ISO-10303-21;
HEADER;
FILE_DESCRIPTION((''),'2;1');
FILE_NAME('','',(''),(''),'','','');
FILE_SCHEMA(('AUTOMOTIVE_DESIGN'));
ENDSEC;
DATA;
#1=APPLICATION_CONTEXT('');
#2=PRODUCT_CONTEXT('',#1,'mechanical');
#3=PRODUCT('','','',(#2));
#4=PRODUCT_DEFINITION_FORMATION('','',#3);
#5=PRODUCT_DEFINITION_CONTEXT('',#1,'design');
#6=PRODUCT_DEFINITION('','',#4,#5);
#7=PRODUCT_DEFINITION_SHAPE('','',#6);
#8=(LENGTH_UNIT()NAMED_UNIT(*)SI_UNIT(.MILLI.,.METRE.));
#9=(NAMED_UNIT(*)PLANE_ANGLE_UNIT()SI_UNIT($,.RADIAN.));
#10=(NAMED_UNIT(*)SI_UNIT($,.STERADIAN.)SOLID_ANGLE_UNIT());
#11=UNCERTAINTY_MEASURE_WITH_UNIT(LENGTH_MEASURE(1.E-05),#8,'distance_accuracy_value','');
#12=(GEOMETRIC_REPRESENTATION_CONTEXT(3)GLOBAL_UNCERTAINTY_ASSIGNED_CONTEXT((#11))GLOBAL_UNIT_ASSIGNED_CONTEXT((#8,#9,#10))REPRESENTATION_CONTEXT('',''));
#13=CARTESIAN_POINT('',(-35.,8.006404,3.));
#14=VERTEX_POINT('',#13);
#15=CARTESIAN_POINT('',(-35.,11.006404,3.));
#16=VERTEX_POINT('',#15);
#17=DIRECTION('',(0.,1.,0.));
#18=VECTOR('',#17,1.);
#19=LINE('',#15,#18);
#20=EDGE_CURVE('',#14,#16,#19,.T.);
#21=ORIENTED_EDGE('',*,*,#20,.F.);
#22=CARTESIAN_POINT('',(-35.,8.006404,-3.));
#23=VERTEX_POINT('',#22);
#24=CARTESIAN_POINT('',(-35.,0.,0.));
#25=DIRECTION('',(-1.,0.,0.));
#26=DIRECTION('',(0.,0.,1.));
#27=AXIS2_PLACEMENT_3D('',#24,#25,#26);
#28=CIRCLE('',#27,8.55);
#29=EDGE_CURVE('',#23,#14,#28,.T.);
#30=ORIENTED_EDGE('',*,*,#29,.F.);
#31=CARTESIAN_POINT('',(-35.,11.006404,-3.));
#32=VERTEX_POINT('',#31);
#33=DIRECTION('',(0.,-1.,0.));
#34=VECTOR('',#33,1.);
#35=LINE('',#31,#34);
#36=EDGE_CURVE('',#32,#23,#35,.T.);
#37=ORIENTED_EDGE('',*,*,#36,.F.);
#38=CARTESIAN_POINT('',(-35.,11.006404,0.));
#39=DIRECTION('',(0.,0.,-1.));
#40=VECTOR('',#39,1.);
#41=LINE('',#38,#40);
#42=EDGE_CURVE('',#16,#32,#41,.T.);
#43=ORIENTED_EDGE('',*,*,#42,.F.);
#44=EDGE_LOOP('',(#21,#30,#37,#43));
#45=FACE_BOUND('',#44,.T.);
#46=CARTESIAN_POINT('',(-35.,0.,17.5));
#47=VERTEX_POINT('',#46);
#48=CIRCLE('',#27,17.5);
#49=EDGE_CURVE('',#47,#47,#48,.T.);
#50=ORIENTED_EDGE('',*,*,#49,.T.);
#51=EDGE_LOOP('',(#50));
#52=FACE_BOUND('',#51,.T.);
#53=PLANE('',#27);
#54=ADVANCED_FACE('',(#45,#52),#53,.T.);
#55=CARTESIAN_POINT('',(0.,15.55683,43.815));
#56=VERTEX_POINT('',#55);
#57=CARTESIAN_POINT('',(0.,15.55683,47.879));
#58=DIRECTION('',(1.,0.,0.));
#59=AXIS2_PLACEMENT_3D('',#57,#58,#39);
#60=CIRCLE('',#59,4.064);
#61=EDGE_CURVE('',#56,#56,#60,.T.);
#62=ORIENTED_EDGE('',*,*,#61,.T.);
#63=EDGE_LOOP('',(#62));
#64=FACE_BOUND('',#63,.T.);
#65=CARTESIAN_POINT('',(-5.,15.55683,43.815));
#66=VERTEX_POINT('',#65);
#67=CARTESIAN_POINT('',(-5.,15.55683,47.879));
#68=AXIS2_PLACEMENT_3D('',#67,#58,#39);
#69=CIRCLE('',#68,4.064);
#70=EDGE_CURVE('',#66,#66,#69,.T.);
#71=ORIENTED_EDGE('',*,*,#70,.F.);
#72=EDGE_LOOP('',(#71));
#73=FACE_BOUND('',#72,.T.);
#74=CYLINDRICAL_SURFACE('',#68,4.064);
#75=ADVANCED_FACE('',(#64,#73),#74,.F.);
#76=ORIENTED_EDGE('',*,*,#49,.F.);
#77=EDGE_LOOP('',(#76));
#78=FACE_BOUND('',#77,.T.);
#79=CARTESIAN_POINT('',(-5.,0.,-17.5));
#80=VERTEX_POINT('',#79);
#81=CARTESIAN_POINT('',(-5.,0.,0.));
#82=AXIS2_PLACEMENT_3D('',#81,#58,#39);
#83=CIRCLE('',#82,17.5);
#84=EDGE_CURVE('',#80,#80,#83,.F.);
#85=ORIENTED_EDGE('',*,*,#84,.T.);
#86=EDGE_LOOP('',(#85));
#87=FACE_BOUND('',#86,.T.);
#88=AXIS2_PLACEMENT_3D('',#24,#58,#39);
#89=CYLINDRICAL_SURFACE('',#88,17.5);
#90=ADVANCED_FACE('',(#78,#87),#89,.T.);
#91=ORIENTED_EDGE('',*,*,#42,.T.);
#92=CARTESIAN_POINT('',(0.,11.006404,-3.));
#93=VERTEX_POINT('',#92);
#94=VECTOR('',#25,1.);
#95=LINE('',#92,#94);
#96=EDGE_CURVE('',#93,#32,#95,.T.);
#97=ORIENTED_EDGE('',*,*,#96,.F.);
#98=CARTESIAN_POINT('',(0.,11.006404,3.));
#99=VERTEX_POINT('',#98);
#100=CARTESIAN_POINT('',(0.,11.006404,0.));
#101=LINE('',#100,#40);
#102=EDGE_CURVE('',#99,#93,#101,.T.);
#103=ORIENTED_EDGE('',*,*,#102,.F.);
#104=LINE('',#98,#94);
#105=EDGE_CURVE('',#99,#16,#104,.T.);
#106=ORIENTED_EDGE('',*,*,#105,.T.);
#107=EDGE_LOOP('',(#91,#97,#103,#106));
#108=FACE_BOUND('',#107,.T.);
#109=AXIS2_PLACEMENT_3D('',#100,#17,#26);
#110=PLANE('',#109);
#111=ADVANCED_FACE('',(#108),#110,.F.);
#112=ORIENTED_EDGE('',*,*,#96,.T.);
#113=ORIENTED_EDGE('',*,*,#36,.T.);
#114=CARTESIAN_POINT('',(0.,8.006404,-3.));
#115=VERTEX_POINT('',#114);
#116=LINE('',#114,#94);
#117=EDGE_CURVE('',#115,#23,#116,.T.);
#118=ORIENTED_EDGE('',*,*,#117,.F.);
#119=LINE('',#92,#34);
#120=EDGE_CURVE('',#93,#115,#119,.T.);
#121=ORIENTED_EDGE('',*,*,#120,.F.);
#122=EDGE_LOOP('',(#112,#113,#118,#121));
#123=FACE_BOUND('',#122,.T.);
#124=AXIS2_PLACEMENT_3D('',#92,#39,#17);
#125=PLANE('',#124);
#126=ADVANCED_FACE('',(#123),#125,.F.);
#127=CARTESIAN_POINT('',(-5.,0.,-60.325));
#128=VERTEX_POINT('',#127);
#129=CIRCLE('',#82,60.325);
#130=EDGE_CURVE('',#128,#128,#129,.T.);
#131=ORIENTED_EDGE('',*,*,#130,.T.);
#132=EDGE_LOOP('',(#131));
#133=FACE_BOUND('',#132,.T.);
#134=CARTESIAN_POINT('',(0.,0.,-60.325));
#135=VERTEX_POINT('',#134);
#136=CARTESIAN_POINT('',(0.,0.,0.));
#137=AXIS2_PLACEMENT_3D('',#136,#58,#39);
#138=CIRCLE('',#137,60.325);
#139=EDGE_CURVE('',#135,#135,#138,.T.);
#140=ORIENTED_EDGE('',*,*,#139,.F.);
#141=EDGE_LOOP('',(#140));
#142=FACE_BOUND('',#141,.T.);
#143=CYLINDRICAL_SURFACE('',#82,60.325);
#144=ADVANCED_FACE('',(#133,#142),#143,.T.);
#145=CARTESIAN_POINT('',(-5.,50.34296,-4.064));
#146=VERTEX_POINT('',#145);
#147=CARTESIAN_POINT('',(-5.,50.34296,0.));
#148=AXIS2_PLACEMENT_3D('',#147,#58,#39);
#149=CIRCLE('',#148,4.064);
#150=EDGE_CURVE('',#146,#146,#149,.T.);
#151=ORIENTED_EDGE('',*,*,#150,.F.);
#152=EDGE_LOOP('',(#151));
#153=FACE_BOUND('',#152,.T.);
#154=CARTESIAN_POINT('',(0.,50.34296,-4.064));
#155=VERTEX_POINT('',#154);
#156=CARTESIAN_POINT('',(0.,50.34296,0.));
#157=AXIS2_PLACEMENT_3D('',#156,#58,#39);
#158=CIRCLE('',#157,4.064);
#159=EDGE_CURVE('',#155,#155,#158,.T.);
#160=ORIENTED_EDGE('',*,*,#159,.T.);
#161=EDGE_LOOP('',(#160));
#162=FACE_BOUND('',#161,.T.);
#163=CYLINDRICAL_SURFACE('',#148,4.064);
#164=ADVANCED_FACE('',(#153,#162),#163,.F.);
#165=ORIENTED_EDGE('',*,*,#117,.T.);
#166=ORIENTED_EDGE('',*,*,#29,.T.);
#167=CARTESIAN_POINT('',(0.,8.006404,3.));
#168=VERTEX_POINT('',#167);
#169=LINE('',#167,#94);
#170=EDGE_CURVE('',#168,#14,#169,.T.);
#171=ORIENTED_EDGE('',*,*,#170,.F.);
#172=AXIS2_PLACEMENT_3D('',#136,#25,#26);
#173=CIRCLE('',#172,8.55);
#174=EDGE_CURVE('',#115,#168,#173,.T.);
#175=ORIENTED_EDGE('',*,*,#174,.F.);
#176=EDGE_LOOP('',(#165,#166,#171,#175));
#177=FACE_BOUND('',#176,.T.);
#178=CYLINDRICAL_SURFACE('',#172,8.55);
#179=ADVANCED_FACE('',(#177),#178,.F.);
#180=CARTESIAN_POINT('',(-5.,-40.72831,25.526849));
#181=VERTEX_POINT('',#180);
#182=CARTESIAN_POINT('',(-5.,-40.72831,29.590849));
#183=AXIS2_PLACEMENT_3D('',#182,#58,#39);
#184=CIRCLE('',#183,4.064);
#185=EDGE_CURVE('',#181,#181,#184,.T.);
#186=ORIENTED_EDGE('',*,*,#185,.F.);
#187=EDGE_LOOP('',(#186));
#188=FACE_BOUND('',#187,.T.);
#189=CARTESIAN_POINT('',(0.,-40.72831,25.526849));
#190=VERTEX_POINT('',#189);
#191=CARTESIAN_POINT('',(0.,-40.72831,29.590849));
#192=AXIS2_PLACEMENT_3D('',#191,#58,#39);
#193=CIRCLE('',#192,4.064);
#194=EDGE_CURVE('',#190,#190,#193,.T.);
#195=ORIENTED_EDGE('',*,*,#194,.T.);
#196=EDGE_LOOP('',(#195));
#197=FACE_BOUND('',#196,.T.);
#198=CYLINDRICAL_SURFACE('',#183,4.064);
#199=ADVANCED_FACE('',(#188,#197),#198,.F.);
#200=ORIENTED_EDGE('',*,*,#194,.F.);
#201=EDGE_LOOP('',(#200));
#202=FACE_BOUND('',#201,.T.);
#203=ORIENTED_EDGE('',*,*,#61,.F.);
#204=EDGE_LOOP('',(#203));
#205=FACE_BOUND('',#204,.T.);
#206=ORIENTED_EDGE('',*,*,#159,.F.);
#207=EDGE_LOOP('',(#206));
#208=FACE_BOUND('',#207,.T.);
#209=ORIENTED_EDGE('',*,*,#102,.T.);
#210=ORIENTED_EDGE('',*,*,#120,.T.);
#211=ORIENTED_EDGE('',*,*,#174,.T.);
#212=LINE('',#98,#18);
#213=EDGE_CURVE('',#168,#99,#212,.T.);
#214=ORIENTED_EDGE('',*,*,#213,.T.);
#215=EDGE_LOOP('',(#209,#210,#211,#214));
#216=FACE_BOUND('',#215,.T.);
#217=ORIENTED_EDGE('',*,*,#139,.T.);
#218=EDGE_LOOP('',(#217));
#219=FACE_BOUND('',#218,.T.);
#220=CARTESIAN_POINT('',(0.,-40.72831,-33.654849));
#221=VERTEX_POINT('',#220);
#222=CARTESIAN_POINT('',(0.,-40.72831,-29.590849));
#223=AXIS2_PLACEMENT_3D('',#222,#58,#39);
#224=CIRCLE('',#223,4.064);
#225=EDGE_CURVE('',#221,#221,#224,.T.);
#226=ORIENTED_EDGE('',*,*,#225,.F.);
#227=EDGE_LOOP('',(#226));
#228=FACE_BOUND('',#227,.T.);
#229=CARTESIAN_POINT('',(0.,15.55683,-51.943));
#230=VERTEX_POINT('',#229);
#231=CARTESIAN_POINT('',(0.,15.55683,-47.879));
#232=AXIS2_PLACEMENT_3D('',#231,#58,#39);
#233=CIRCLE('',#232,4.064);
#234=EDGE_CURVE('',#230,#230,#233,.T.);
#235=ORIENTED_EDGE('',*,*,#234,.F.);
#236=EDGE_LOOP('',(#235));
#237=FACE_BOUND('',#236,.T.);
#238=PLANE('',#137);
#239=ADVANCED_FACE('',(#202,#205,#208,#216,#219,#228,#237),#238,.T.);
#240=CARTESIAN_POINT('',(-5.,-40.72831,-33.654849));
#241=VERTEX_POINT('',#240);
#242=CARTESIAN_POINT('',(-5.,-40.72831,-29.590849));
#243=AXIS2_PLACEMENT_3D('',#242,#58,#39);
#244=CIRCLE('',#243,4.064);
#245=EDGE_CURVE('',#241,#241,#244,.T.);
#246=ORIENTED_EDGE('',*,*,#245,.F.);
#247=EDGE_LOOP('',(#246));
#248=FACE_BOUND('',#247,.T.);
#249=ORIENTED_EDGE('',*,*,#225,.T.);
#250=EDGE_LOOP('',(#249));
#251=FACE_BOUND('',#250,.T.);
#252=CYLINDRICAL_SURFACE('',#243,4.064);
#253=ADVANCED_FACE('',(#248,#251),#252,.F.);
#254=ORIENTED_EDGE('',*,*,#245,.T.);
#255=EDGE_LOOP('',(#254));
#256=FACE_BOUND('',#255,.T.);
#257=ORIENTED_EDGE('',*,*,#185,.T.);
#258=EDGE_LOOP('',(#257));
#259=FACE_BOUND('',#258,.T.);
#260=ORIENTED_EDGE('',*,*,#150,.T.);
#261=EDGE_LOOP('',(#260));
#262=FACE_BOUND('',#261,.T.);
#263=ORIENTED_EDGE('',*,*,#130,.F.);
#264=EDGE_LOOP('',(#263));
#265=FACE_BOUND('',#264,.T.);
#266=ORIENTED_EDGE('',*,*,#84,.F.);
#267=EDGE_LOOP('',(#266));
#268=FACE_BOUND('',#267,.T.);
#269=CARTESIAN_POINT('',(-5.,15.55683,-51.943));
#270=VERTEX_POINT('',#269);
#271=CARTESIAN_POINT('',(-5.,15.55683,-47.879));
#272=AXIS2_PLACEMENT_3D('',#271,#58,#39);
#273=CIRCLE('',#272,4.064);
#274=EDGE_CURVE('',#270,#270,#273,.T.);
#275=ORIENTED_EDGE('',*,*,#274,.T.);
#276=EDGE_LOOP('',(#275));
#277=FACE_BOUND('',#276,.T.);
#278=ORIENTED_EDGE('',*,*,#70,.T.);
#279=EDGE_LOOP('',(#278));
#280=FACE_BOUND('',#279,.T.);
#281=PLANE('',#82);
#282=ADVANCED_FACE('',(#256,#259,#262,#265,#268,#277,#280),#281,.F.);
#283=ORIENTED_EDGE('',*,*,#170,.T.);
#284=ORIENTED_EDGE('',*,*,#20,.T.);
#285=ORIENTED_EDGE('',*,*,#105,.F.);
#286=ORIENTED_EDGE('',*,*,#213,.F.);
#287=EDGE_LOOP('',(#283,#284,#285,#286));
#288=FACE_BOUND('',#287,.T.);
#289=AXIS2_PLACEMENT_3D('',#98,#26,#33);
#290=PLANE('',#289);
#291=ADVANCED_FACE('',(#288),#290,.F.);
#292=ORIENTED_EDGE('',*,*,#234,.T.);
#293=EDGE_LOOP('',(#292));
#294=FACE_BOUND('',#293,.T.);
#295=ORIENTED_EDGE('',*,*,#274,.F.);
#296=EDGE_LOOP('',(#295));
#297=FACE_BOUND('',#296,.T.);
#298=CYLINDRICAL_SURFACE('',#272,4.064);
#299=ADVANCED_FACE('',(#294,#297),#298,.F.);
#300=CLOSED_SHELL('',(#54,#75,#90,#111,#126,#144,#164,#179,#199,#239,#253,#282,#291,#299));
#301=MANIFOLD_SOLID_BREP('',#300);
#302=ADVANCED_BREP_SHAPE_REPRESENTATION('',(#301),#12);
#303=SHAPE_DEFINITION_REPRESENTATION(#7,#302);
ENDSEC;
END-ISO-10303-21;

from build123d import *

# Parameters (mm, degrees)
SKETCH1_R           = 60.325
BOSS_EXTRUDE1_DEPTH = 5
SKETCH2_R           = 4.064
CUT_EXTRUDE1_DEPTH  = 86.458827806
SKETCH11_R          = 17.5
BOSS_EXTRUDE3_DEPTH = 30
CUT_EXTRUDE5_DEPTH  = 93.212858377


with BuildPart() as part:
    # Sketch1 → Boss-Extrude1 (new body)
    with BuildSketch(Plane(origin=(0, 0, 0), x_dir=(0, 0, -1), z_dir=(1, 0, 0))):
        Circle(SKETCH1_R)
    extrude(amount=-BOSS_EXTRUDE1_DEPTH)

    # Sketch2 → Cut-Extrude1 (cut, through all)
    with BuildSketch(Plane(origin=(0, 0, 0), x_dir=(0, 0, -1), z_dir=(1, 0, 0))):
        with Locations((0, 50.342959834)):
            Circle(SKETCH2_R)
        with Locations((47.879, 15.556830136)):
            Circle(SKETCH2_R)
        with Locations((29.590849347, -40.728310053)):
            Circle(SKETCH2_R)
        with Locations((-29.590849347, -40.728310053)):
            Circle(SKETCH2_R)
        with Locations((-47.879, 15.556830136)):
            Circle(SKETCH2_R)
    extrude(amount=-CUT_EXTRUDE1_DEPTH, mode=Mode.SUBTRACT)

    # Sketch11 → Boss-Extrude3 (add)
    with BuildSketch(Plane.ZY.offset(5)):
        with Locations(Location((0, 0, 0), (0, 0, 180))):
            Circle(SKETCH11_R)
    extrude(amount=BOSS_EXTRUDE3_DEPTH)

    # Sketch12 → Cut-Extrude5 (cut, through all)
    with BuildSketch(Plane.ZY.offset(35)):
        with BuildLine():
            Line((0, 11.006403687), (-3, 11.006403687))
            Line((-3, 11.006403687), (-3, 8.006403687))
            ThreePointArc((-3, 8.006403687), (0, -8.55), (3, 8.006403687))
            Line((3, 8.006403687), (3, 11.006403687))
            Line((3, 11.006403687), (0, 11.006403687))
        make_face()
    extrude(amount=-CUT_EXTRUDE5_DEPTH, mode=Mode.SUBTRACT)


solid = part.part
